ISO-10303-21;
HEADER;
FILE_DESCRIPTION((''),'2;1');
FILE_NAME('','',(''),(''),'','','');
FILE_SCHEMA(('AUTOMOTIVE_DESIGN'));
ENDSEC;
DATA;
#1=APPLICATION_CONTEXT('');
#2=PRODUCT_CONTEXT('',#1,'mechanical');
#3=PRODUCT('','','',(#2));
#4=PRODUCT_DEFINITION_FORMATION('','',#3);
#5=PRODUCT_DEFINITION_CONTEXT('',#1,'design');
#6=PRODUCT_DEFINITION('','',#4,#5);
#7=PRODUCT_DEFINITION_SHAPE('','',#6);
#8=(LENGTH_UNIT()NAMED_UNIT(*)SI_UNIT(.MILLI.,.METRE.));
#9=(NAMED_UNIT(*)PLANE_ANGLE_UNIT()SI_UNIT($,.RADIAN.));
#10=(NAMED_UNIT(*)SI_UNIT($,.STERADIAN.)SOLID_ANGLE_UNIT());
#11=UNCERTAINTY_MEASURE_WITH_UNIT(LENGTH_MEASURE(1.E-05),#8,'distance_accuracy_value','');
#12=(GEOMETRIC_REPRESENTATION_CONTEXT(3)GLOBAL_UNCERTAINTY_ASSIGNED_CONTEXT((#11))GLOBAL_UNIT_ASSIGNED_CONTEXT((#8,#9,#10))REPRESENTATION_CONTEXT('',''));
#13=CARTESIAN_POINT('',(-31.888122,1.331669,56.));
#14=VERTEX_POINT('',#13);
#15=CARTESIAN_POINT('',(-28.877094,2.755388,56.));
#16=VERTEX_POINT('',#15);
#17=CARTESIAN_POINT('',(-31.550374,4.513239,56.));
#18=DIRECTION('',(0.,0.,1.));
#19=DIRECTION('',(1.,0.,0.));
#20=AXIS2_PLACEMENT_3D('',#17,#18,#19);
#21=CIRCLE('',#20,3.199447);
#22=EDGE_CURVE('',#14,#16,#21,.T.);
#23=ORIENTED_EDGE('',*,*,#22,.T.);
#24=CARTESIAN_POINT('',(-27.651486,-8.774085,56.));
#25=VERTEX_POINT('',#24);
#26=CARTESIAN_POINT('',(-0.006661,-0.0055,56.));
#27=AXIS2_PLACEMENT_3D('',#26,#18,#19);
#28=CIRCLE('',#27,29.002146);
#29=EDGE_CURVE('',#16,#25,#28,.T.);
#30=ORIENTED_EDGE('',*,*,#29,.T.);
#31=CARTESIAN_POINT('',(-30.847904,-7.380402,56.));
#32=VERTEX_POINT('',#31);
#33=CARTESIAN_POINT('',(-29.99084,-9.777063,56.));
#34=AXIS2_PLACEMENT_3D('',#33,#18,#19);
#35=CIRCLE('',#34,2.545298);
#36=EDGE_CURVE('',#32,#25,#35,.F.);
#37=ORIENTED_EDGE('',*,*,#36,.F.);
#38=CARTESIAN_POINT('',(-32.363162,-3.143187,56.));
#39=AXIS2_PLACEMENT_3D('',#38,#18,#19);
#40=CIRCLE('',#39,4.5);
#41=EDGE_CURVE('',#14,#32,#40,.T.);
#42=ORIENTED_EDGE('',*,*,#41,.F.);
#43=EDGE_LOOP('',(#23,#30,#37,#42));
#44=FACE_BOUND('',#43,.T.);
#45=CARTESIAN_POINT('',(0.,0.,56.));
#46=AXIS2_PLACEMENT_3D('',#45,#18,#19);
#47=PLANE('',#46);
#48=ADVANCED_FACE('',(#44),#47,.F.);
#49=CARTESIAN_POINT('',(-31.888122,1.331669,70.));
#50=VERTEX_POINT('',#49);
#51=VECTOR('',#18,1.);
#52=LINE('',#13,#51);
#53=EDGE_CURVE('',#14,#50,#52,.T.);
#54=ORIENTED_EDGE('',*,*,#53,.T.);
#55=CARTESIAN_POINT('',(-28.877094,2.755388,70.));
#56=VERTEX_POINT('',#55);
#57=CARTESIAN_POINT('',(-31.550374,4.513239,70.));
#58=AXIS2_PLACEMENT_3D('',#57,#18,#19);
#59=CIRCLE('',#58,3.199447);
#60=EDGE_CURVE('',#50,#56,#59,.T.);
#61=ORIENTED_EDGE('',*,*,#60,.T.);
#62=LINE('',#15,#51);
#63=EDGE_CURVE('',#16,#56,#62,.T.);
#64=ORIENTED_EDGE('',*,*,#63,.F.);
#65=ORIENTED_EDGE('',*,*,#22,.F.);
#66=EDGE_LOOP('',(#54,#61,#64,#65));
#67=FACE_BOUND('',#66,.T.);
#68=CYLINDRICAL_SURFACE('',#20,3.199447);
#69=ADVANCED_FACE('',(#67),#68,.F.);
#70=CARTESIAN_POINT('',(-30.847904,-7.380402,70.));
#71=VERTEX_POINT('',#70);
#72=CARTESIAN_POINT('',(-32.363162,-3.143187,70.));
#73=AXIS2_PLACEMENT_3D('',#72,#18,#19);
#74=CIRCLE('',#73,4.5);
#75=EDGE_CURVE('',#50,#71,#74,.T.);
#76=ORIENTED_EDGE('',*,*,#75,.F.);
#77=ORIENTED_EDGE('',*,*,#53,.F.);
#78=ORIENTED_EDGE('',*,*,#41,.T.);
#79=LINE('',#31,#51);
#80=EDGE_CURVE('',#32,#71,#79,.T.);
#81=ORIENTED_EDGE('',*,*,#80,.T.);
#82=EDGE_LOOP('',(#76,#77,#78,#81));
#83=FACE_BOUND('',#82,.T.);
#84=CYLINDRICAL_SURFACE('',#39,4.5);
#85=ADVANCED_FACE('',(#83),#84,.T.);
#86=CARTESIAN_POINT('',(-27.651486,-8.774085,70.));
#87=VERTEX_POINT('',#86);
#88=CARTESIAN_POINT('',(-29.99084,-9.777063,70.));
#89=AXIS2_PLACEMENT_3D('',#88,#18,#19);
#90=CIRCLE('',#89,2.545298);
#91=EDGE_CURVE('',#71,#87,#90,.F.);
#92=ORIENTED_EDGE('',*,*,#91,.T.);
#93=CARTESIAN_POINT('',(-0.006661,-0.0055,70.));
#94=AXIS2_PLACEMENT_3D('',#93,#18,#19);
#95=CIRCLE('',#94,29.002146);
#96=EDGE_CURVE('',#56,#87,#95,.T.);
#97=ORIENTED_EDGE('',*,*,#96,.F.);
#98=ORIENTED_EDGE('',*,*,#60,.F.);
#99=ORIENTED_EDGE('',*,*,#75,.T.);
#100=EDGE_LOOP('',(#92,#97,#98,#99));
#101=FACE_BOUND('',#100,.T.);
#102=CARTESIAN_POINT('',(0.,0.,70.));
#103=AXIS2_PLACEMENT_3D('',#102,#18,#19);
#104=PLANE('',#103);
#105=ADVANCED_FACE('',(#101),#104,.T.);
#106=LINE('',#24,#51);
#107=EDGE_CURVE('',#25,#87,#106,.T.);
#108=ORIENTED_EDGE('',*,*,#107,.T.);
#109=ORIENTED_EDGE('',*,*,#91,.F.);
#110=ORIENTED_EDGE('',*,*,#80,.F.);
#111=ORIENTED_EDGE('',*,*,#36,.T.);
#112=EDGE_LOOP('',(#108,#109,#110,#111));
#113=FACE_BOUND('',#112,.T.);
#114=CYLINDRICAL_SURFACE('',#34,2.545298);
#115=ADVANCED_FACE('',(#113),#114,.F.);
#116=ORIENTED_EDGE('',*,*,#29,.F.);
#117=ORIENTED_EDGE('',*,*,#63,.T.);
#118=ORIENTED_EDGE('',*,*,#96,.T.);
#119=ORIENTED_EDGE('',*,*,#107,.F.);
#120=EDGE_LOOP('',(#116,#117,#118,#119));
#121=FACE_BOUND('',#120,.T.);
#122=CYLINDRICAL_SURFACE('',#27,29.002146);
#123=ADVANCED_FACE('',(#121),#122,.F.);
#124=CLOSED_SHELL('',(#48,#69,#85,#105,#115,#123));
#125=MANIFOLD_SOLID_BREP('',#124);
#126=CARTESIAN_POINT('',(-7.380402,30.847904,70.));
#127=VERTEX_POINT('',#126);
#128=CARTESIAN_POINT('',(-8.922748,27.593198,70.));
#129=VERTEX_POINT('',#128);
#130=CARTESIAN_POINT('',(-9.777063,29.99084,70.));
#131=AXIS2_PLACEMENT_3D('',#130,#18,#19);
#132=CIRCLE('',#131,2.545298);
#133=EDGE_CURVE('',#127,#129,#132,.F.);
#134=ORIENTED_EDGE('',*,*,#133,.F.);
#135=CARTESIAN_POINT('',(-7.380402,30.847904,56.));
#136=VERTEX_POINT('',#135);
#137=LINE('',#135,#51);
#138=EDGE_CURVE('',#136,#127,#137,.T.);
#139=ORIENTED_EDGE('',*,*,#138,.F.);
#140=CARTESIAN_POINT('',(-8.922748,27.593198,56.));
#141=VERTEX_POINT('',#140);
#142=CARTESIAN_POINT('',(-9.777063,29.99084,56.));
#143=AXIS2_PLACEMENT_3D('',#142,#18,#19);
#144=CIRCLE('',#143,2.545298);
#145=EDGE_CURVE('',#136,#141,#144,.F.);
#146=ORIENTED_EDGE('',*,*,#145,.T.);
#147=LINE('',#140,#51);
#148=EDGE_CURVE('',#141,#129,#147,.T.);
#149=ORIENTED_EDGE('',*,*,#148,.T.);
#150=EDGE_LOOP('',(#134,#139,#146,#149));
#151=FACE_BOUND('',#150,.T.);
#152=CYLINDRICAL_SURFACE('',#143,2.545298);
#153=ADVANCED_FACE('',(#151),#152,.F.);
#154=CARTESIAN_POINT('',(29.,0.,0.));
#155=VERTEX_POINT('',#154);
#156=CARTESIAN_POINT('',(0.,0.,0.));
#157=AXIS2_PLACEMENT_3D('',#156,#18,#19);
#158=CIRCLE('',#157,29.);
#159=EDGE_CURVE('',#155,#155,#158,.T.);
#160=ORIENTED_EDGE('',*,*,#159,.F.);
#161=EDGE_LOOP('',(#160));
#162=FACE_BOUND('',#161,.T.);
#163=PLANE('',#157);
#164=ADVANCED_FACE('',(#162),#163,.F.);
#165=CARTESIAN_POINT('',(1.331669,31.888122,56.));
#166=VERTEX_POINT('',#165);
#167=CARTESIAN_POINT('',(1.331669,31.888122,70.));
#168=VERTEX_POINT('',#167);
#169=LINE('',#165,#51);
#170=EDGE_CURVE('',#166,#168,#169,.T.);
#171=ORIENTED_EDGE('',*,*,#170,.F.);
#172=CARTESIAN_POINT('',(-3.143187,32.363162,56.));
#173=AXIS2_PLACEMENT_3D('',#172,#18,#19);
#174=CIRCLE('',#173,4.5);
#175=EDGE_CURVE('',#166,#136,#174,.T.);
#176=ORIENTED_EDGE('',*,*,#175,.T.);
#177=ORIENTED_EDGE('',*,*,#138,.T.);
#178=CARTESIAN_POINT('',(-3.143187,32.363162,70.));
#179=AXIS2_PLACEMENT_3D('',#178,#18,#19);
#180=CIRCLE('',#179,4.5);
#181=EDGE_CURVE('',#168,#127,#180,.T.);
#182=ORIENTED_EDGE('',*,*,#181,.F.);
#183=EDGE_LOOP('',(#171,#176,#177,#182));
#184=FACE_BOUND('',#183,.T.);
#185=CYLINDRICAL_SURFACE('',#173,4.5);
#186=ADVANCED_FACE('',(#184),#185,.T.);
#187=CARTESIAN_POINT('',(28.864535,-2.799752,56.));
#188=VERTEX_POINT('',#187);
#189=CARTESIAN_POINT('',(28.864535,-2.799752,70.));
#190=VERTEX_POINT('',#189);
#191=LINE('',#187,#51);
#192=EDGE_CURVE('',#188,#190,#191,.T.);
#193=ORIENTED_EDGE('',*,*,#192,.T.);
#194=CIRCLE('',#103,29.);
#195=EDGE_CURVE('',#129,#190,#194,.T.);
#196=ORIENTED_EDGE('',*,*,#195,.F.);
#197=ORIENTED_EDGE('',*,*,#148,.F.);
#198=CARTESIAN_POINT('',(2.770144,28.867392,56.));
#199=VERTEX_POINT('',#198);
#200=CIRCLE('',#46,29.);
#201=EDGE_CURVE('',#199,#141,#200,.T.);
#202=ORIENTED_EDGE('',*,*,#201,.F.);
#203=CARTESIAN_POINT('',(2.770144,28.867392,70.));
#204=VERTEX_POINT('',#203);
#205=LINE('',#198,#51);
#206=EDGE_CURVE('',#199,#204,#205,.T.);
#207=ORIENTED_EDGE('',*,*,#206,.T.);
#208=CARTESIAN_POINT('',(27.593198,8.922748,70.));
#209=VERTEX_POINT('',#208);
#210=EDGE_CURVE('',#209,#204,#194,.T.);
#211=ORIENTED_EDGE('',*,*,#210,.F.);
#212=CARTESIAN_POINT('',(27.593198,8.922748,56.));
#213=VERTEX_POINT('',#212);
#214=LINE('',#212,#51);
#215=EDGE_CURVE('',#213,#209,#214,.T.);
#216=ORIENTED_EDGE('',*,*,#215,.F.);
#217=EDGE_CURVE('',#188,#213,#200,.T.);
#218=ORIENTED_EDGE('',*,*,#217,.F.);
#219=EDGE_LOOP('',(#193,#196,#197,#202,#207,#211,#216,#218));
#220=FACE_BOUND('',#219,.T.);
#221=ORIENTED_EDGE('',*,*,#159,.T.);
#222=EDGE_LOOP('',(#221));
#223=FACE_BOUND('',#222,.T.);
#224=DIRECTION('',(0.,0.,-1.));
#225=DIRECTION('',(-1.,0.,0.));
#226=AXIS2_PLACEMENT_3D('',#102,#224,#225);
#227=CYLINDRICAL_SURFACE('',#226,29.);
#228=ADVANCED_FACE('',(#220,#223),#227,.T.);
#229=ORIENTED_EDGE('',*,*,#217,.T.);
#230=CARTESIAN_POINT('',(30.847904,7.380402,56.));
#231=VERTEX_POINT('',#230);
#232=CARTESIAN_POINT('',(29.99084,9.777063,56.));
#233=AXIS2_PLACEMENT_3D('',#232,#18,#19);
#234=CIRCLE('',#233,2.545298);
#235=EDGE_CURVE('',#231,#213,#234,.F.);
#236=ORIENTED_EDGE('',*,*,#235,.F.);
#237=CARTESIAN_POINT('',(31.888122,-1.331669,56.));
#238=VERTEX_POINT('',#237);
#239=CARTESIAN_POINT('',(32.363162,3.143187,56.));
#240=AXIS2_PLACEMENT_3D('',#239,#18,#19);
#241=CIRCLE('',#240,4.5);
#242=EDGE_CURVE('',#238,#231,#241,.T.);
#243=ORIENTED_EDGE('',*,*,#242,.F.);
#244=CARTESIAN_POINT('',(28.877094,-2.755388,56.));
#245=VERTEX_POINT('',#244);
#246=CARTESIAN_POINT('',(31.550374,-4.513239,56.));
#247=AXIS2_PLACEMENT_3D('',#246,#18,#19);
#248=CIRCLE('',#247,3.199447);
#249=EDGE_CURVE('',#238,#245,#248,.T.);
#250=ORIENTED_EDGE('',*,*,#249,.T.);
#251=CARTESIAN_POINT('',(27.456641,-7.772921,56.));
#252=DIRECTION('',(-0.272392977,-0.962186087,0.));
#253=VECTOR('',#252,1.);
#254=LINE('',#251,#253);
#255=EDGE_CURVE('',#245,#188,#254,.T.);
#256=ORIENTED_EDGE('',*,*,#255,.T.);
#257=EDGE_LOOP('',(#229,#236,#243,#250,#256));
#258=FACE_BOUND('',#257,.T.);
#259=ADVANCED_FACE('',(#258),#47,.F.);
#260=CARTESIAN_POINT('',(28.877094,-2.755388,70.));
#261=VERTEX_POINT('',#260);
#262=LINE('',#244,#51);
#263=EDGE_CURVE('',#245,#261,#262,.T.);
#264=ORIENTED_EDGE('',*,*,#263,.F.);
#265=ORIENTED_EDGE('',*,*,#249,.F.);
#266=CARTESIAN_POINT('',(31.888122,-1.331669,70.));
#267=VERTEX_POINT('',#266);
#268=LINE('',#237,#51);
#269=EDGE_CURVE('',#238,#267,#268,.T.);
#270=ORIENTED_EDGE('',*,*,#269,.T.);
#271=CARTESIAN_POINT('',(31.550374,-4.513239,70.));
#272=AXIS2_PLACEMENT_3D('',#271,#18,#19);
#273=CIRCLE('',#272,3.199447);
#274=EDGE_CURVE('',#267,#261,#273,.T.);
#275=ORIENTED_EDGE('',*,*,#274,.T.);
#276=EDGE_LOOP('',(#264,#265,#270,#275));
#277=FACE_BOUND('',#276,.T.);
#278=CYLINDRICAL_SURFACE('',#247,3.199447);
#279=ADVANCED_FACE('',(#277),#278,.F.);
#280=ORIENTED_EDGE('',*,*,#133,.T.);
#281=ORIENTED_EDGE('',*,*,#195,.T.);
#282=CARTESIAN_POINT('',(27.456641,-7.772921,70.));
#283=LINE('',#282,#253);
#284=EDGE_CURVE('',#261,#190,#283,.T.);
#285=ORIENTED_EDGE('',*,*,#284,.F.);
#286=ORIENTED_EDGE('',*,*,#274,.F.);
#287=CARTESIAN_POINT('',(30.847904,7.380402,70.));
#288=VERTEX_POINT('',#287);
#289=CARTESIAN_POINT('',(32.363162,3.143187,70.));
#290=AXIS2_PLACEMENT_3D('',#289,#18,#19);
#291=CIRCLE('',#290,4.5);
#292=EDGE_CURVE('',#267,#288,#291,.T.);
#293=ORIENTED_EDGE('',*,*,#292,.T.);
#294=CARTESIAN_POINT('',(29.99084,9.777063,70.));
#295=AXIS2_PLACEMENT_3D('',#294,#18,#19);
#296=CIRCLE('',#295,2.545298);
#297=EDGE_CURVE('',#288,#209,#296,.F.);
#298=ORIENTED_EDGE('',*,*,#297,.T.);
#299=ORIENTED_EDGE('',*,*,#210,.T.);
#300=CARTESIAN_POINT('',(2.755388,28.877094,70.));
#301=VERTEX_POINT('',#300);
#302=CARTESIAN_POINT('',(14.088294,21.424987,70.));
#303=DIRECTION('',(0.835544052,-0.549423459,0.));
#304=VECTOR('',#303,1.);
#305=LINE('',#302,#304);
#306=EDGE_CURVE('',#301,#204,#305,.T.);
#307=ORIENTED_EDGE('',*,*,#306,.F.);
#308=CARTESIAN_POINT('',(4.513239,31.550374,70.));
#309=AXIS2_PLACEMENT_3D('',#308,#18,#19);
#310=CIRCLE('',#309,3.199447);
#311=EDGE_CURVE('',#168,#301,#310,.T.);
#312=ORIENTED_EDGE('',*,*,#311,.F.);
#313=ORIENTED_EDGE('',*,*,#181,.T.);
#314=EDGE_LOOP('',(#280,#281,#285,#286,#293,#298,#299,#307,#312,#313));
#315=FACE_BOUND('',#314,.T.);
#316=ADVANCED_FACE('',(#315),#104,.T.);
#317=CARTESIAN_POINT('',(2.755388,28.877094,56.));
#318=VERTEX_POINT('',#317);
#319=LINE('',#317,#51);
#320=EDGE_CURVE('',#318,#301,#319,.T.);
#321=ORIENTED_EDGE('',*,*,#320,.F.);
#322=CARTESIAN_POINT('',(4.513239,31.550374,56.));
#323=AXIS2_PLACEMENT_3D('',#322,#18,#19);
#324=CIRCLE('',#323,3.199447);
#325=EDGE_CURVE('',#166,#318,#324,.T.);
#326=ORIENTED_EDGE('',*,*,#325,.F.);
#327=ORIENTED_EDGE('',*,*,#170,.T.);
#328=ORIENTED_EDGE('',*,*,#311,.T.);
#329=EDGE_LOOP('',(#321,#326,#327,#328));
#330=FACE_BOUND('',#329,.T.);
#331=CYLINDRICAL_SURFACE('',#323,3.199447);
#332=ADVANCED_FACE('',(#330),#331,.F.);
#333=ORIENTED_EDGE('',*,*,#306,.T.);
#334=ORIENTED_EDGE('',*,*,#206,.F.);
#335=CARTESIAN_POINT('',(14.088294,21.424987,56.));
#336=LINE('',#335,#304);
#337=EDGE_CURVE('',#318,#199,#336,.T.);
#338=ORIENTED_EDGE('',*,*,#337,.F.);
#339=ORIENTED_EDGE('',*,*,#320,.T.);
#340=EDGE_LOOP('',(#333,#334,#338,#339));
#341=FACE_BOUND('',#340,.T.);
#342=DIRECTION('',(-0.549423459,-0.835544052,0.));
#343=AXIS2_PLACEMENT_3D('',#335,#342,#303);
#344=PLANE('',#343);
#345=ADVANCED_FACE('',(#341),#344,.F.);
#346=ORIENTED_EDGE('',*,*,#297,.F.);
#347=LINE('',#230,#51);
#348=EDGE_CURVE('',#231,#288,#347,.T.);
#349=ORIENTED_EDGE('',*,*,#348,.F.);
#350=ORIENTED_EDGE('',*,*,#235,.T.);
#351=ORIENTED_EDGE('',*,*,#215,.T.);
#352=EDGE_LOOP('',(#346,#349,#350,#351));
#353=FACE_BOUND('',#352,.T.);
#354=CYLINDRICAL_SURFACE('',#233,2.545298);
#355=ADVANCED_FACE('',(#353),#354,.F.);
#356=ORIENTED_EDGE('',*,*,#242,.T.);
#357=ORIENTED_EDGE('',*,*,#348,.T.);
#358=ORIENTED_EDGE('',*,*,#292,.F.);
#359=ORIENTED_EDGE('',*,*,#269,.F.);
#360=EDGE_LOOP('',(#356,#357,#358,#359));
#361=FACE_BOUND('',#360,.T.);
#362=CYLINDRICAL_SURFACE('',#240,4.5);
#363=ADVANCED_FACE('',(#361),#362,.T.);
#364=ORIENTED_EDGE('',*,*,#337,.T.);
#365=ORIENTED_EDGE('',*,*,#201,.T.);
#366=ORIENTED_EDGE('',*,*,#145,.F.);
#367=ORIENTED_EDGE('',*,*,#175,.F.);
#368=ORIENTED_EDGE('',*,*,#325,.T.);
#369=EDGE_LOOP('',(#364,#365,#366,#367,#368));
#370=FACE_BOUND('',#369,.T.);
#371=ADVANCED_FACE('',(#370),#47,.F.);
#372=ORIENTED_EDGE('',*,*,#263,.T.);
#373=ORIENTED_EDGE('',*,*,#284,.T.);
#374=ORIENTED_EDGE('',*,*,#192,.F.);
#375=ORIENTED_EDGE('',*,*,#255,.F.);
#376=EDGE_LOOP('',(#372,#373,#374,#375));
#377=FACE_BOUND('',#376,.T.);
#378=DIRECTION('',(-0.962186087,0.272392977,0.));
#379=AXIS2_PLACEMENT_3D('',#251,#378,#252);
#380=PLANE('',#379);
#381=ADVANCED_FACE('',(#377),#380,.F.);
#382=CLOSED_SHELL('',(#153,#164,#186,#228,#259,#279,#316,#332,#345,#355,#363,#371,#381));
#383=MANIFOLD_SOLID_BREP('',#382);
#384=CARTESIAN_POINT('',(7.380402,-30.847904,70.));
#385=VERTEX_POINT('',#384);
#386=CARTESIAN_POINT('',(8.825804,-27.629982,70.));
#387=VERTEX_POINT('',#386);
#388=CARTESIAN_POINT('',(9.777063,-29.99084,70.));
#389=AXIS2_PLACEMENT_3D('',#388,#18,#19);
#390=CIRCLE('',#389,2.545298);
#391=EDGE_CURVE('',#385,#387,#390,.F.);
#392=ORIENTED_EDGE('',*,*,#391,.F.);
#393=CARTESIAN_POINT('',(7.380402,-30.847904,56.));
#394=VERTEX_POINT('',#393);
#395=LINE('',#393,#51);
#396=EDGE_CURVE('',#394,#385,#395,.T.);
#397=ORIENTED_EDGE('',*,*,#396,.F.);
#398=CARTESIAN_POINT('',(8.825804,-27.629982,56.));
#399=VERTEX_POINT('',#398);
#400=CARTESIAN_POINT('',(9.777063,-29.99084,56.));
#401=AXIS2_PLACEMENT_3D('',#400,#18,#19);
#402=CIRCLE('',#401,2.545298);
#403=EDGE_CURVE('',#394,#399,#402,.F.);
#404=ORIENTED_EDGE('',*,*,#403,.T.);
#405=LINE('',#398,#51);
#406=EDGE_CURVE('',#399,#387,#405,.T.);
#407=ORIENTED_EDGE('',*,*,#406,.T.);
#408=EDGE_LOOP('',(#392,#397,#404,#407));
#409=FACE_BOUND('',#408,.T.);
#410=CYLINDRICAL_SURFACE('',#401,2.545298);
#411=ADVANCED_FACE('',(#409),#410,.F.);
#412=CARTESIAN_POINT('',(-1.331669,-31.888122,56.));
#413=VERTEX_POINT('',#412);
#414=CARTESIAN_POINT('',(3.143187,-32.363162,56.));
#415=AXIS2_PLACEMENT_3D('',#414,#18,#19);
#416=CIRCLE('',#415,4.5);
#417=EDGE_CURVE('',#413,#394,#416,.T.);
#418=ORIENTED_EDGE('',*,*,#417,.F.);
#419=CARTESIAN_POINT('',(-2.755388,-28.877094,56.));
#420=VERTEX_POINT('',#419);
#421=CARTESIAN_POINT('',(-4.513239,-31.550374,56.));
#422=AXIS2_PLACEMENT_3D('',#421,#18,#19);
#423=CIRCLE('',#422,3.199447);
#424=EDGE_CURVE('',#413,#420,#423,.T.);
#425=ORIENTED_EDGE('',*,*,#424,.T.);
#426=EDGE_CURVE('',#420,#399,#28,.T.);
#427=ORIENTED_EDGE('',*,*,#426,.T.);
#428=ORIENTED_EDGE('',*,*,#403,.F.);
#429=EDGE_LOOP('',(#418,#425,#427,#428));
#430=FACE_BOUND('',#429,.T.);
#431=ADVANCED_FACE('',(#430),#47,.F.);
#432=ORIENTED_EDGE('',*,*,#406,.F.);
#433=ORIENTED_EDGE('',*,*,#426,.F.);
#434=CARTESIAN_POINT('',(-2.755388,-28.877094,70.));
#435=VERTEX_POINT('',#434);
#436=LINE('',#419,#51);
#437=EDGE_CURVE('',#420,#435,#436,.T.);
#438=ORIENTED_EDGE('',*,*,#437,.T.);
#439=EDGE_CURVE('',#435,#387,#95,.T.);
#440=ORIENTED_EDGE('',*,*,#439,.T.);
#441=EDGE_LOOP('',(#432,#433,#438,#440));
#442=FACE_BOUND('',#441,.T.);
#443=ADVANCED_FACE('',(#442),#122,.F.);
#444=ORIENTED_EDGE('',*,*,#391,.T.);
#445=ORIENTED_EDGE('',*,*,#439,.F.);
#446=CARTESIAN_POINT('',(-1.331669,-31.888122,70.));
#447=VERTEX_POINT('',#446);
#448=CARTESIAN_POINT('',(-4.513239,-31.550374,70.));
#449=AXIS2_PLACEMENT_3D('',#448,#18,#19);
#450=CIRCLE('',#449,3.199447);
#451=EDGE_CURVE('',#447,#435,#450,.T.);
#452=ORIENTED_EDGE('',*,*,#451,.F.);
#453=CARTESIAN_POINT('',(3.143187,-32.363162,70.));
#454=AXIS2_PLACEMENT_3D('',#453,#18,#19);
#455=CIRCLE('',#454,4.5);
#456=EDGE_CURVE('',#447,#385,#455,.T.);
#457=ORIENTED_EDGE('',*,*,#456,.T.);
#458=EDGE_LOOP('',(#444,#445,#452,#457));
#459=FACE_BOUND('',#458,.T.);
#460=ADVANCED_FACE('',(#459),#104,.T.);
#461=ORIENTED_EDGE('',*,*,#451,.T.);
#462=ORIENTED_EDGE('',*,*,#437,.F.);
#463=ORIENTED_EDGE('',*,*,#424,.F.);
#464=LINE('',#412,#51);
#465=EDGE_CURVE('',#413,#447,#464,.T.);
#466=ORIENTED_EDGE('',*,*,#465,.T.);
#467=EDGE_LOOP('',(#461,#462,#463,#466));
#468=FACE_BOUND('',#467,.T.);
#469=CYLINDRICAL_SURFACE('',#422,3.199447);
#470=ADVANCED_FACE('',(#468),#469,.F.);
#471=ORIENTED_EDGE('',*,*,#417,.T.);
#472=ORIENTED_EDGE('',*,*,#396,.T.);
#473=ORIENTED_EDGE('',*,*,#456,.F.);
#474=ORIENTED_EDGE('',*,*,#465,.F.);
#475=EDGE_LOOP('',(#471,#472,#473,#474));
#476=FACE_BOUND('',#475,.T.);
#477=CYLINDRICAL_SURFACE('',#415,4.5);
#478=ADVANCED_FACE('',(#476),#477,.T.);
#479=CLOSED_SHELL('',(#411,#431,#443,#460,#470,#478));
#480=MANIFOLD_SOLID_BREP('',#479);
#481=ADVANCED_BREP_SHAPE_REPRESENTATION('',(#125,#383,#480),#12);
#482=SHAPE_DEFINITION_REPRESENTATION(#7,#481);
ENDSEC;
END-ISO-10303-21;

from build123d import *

# Parameters (mm, degrees)
SZKIC1_R                    = 29
DODANIE_WYCI_GNI_CIE1_DEPTH = 70
DODANIE_WYCI_GNI_CIE4_DEPTH = 14


with BuildPart() as part:
    # Szkic1 → Dodanie-wyciągnięcie1 (new body)
    with BuildSketch(Plane.XY):
        Circle(SZKIC1_R)
    extrude(amount=DODANIE_WYCI_GNI_CIE1_DEPTH)

    # Szkic2 → Dodanie-wyciągnięcie4 (add)
    with BuildSketch(Plane.XY.offset(70)):
        with BuildLine():
            ThreePointArc((30.84790374, 7.380401745), (28.900861272, 7.476956762), (27.593197744, 8.922748358))
            ThreePointArc((27.593197744, 8.922748358), (28.64614053, 4.516484552), (29, 0))
            ThreePointArc((29, 0), (28.966113998, -1.401513415), (28.864535183, -2.799751542))
            Line((28.864535183, -2.799751542), (28.877094392, -2.755388077))
            ThreePointArc((28.877094392, -2.755388077), (30.18274059, -1.620828188), (31.888121854, -1.331669269))
            ThreePointArc((31.888121854, -1.331669269), (36.831424825, 3.67669565), (30.84790374, 7.380401745))
        make_face()
        with BuildLine():
            ThreePointArc((7.380401745, -30.84790374), (7.4552326, -28.947937345), (8.825804257, -27.62998238))
            ThreePointArc((8.825804257, -27.62998238), (3.098462136, -28.840941336), (-2.755388077, -28.877094392))
            ThreePointArc((-2.755388077, -28.877094392), (-1.620828188, -30.18274059), (-1.331669269, -31.888121854))
            ThreePointArc((-1.331669269, -31.888121854), (3.67669565, -36.831424825), (7.380401745, -30.84790374))
        make_face()
        with BuildLine():
            ThreePointArc((-27.651486159, -8.774084684), (-28.846317681, -3.071219093), (-28.877094392, 2.755388077))
            ThreePointArc((-28.877094392, 2.755388077), (-30.18274059, 1.620828188), (-31.888121854, 1.331669269))
            ThreePointArc((-31.888121854, 1.331669269), (-36.831424825, -3.67669565), (-30.84790374, -7.380401745))
            ThreePointArc((-30.84790374, -7.380401745), (-28.973547583, -7.443898089), (-27.651486159, -8.774084684))
        make_face()
        with BuildLine():
            Line((2.770143564, 28.867391719), (2.755388077, 28.877094392))
            ThreePointArc((2.755388077, 28.877094392), (1.620828188, 30.18274059), (1.331669269, 31.888121854))
            ThreePointArc((1.331669269, 31.888121854), (-3.67669565, 36.831424825), (-7.380401745, 30.84790374))
            ThreePointArc((-7.380401745, 30.84790374), (-7.476956762, 28.900861272), (-8.922748358, 27.593197744))
            ThreePointArc((-8.922748358, 27.593197744), (-3.141580654, 28.829333516), (2.770143564, 28.867391719))
        make_face()
    extrude(amount=-DODANIE_WYCI_GNI_CIE4_DEPTH)


solid = part.part
